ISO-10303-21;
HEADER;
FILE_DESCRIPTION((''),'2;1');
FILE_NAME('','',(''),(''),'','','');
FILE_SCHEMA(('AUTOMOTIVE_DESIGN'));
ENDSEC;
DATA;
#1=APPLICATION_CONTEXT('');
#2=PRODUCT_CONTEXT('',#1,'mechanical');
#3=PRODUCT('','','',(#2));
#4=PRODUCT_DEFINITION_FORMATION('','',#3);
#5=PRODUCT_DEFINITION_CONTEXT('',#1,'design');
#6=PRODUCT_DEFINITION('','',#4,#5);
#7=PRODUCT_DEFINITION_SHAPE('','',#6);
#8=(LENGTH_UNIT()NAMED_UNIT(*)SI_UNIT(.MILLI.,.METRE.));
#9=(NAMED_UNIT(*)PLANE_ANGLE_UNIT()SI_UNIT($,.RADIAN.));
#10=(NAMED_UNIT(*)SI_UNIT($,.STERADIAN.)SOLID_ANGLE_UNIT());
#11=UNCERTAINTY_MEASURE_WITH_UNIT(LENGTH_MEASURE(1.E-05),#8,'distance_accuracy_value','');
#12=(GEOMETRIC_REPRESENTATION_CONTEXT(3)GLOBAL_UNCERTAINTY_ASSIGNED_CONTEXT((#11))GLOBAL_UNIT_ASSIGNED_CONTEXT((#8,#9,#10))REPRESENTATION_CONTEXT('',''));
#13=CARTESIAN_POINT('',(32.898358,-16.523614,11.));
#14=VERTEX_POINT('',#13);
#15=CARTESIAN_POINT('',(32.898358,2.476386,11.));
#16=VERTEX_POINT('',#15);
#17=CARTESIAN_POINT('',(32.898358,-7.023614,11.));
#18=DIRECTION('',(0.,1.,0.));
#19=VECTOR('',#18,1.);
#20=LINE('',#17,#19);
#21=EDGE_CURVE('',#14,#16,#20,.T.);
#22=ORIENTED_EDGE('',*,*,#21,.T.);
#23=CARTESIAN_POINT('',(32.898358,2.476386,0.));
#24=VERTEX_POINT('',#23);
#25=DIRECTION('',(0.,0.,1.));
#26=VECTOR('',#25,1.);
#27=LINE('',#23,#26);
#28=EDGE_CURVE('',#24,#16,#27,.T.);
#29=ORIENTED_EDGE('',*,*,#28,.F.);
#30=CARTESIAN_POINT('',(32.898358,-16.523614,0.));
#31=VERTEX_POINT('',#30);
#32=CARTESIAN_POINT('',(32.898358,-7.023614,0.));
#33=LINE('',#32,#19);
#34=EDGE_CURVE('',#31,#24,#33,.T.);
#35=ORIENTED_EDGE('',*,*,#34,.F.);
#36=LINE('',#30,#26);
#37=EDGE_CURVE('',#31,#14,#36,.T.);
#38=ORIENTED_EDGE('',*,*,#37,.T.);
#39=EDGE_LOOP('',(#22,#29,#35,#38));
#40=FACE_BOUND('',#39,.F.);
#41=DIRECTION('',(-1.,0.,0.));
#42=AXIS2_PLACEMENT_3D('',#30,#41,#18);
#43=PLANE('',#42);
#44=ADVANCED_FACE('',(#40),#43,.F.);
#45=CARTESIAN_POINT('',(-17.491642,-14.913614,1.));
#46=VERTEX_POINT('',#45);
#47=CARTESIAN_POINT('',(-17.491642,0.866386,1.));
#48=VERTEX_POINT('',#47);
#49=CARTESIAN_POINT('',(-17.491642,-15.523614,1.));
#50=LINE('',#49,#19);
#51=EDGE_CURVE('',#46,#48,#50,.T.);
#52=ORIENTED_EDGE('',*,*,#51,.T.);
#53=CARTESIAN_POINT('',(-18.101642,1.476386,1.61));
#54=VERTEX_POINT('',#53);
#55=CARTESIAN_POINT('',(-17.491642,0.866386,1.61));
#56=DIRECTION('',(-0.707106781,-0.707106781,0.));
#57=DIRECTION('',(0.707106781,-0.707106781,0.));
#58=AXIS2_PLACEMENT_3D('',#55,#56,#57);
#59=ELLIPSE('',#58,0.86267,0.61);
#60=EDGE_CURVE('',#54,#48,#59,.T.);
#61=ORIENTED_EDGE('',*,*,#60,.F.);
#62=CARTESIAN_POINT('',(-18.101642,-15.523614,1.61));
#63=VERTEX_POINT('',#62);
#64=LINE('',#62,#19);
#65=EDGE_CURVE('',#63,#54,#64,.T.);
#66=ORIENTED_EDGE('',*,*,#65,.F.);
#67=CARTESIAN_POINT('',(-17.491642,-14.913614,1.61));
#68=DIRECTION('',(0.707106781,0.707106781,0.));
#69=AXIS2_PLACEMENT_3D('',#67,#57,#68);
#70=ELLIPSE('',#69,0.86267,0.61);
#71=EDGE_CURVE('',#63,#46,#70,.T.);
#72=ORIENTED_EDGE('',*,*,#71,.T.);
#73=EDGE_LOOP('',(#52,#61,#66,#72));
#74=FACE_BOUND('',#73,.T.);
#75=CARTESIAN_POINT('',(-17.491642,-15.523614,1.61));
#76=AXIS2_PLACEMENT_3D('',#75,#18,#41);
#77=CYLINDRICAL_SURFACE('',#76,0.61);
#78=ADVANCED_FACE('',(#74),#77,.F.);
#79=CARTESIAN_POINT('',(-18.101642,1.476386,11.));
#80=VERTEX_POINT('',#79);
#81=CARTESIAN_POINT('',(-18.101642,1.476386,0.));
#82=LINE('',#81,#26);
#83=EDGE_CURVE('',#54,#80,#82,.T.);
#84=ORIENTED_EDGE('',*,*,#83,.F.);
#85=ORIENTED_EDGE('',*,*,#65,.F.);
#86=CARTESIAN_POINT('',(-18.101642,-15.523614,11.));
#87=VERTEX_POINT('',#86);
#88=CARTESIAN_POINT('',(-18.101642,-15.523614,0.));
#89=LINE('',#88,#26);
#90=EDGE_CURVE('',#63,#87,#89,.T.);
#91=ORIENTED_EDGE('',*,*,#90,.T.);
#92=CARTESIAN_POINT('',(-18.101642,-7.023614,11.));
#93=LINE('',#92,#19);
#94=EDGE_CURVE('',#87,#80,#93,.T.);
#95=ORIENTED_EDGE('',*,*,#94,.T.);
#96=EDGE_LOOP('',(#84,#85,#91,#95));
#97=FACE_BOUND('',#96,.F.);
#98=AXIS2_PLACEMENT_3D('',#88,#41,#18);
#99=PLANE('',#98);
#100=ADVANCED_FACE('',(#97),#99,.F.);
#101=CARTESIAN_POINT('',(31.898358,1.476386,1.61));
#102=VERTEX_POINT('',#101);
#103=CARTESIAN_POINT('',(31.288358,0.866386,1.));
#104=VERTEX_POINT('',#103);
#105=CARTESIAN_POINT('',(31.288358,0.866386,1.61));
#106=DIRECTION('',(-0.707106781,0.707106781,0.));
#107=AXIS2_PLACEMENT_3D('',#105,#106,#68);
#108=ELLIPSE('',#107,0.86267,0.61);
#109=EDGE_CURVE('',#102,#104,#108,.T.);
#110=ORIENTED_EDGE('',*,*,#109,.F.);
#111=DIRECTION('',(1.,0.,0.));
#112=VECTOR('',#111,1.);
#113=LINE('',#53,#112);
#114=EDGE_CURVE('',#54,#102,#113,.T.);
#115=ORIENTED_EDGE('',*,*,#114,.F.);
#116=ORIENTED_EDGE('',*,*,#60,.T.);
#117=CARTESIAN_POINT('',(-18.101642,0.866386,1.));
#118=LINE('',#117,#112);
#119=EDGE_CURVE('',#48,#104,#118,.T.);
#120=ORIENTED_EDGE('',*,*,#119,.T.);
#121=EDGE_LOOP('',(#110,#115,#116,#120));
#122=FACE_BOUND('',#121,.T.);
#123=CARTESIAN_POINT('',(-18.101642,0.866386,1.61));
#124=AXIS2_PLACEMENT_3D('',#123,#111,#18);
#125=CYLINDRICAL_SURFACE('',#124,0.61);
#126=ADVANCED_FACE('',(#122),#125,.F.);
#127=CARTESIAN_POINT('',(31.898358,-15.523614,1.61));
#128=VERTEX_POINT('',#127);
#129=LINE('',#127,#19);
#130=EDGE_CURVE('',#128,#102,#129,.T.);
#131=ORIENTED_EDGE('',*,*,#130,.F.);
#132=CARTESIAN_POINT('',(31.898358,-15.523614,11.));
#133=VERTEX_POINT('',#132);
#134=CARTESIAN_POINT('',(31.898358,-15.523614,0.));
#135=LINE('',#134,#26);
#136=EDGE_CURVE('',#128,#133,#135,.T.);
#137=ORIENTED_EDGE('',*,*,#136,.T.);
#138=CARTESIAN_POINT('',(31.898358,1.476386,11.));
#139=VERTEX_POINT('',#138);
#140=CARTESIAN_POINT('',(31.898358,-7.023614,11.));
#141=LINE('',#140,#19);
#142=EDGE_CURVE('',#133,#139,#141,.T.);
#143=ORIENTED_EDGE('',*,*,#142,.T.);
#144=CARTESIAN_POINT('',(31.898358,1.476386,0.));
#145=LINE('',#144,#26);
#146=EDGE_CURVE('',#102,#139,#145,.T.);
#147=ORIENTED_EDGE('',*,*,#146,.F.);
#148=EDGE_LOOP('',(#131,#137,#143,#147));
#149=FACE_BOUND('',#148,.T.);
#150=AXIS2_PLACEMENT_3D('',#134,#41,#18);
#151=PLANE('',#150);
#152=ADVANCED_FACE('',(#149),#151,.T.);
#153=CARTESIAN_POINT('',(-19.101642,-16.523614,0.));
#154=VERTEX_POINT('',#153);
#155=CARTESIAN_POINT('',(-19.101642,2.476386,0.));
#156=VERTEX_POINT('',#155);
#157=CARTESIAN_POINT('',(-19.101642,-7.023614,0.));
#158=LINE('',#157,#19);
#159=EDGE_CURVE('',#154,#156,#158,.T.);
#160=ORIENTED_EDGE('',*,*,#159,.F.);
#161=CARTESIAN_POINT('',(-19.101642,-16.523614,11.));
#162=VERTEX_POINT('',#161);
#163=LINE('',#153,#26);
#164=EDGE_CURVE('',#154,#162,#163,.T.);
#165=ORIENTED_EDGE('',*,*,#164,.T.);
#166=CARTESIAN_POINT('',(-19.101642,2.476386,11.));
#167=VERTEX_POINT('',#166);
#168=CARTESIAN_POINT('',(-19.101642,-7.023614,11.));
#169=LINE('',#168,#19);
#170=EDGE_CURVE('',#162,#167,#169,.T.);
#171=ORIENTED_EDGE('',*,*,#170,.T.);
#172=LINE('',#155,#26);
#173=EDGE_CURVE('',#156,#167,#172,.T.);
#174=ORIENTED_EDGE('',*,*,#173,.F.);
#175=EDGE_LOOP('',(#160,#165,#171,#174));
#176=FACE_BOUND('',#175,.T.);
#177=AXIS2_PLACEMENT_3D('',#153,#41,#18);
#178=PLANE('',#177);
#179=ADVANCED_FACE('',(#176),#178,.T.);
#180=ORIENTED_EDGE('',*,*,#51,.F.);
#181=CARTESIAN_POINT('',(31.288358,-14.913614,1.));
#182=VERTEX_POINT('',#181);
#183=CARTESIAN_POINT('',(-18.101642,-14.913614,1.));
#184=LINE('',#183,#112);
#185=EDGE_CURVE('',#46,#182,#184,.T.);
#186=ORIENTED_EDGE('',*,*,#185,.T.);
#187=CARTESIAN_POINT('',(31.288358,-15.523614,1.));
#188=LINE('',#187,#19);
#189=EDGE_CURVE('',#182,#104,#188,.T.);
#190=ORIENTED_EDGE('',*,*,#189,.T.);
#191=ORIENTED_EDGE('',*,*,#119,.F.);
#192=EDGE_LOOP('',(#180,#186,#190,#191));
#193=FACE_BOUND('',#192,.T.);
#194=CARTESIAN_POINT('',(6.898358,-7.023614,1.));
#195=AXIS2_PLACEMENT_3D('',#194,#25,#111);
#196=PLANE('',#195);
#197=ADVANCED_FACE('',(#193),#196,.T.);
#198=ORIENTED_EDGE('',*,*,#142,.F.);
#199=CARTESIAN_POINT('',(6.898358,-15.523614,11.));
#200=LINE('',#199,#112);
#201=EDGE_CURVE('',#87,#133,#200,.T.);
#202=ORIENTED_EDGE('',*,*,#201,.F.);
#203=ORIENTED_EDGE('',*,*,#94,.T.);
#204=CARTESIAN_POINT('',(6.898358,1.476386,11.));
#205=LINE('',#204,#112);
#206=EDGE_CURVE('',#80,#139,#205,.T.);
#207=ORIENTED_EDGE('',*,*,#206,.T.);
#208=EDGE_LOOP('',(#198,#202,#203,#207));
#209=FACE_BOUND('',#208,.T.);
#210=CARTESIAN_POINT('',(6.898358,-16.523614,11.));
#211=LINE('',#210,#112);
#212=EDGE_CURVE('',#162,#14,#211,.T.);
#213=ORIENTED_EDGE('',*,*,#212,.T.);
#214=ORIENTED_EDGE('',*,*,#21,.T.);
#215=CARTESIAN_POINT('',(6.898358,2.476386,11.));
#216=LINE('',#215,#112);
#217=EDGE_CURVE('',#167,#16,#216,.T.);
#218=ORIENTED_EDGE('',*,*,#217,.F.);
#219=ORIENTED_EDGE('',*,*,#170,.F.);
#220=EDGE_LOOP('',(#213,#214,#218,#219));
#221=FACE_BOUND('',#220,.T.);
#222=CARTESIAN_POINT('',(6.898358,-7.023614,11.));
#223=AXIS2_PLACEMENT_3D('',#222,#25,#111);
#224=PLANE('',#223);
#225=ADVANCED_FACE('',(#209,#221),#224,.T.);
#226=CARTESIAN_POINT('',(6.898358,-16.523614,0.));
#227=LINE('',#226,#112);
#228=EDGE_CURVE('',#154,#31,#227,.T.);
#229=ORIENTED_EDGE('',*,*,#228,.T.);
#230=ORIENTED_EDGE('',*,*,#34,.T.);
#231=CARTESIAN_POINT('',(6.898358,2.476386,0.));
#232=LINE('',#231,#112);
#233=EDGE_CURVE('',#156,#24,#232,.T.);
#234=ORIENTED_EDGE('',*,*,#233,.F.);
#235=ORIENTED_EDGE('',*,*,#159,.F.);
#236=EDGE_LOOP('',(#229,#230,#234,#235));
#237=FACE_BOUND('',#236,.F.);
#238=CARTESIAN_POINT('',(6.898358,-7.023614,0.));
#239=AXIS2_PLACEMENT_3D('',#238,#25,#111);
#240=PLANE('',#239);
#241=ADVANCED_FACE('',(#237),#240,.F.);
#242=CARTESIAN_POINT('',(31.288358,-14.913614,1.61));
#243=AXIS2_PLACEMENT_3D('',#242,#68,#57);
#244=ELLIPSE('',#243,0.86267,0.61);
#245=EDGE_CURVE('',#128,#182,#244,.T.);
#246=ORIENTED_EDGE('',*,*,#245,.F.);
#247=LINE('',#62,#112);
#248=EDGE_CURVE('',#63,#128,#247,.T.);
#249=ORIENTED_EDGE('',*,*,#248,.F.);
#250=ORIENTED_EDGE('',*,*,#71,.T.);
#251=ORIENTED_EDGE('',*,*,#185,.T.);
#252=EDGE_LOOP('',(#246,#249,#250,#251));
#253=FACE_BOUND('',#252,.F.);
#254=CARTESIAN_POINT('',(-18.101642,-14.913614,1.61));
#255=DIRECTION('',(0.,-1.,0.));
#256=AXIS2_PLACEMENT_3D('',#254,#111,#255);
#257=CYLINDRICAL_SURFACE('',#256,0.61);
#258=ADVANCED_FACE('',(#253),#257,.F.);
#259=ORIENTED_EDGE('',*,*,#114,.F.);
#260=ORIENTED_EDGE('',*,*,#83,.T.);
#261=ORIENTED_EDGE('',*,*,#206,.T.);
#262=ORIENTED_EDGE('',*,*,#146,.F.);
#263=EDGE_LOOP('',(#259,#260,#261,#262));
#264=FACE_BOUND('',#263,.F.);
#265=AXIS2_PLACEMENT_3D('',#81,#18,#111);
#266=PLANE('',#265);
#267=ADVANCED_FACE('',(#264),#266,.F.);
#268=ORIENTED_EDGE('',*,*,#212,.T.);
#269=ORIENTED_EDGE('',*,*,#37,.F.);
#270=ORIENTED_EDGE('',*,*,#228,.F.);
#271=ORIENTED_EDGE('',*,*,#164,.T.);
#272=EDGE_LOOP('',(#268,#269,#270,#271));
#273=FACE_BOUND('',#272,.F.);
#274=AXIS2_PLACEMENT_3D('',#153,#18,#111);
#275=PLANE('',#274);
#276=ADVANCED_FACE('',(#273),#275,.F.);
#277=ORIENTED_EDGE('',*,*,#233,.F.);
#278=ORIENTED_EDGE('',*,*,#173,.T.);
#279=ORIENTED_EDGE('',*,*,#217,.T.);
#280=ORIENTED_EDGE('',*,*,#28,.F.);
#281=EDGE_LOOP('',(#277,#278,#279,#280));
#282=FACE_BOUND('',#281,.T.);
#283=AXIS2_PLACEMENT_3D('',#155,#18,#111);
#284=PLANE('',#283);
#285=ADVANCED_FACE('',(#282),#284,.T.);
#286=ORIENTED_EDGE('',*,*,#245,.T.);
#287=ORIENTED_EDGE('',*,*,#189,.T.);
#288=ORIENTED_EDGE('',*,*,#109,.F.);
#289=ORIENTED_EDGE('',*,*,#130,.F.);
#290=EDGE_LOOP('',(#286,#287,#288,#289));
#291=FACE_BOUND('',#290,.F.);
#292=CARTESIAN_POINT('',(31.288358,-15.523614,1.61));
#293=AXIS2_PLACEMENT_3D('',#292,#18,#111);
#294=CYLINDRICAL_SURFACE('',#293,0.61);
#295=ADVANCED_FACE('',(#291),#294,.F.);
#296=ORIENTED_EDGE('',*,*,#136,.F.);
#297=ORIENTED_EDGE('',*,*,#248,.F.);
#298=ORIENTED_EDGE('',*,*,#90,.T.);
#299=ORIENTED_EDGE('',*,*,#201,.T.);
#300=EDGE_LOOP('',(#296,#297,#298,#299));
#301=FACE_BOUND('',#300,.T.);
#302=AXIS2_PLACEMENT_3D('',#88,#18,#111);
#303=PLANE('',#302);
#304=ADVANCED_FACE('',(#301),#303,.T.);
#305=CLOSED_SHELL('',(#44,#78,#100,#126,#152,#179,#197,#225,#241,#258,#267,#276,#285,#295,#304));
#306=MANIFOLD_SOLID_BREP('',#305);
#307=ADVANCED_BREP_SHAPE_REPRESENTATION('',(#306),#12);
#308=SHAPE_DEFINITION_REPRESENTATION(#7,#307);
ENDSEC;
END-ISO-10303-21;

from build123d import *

# Parameters (mm, degrees)
F0_W     = 50
F0_H     = 17
F1_DEPTH = 1
F0_W_2   = 52
F0_H_2   = 19
F2_DEPTH = 11
F3_R     = 0.61


with BuildPart() as f1:
    # F0 (on Top) → F1 (new body)
    with BuildSketch(Plane.XY):
        with Locations((6.898358, -7.023614)):
            Rectangle(F0_W, F0_H)
    extrude(amount=F1_DEPTH)

    # F0 (on Top) → F2 (join)
    with BuildSketch(Plane.XY):
        with Locations((6.898358, -7.023614)):
            Rectangle(F0_W_2, F0_H_2)
        with Locations((6.898358, -7.023614)):
            Rectangle(F0_W, F0_H, mode=Mode.SUBTRACT)
    extrude(amount=F2_DEPTH)

    # F3
    f3_edges = [f1.edges().sort_by_distance(p)[0] for p in [
        (6.898358, 1.476386, 1),
        (-18.101642, -7.023614, 1),
        (6.898358, -15.523614, 1),
        (31.898358, -7.023614, 1),
    ]]
    fillet(f3_edges, radius=F3_R)


solid = f1.part
